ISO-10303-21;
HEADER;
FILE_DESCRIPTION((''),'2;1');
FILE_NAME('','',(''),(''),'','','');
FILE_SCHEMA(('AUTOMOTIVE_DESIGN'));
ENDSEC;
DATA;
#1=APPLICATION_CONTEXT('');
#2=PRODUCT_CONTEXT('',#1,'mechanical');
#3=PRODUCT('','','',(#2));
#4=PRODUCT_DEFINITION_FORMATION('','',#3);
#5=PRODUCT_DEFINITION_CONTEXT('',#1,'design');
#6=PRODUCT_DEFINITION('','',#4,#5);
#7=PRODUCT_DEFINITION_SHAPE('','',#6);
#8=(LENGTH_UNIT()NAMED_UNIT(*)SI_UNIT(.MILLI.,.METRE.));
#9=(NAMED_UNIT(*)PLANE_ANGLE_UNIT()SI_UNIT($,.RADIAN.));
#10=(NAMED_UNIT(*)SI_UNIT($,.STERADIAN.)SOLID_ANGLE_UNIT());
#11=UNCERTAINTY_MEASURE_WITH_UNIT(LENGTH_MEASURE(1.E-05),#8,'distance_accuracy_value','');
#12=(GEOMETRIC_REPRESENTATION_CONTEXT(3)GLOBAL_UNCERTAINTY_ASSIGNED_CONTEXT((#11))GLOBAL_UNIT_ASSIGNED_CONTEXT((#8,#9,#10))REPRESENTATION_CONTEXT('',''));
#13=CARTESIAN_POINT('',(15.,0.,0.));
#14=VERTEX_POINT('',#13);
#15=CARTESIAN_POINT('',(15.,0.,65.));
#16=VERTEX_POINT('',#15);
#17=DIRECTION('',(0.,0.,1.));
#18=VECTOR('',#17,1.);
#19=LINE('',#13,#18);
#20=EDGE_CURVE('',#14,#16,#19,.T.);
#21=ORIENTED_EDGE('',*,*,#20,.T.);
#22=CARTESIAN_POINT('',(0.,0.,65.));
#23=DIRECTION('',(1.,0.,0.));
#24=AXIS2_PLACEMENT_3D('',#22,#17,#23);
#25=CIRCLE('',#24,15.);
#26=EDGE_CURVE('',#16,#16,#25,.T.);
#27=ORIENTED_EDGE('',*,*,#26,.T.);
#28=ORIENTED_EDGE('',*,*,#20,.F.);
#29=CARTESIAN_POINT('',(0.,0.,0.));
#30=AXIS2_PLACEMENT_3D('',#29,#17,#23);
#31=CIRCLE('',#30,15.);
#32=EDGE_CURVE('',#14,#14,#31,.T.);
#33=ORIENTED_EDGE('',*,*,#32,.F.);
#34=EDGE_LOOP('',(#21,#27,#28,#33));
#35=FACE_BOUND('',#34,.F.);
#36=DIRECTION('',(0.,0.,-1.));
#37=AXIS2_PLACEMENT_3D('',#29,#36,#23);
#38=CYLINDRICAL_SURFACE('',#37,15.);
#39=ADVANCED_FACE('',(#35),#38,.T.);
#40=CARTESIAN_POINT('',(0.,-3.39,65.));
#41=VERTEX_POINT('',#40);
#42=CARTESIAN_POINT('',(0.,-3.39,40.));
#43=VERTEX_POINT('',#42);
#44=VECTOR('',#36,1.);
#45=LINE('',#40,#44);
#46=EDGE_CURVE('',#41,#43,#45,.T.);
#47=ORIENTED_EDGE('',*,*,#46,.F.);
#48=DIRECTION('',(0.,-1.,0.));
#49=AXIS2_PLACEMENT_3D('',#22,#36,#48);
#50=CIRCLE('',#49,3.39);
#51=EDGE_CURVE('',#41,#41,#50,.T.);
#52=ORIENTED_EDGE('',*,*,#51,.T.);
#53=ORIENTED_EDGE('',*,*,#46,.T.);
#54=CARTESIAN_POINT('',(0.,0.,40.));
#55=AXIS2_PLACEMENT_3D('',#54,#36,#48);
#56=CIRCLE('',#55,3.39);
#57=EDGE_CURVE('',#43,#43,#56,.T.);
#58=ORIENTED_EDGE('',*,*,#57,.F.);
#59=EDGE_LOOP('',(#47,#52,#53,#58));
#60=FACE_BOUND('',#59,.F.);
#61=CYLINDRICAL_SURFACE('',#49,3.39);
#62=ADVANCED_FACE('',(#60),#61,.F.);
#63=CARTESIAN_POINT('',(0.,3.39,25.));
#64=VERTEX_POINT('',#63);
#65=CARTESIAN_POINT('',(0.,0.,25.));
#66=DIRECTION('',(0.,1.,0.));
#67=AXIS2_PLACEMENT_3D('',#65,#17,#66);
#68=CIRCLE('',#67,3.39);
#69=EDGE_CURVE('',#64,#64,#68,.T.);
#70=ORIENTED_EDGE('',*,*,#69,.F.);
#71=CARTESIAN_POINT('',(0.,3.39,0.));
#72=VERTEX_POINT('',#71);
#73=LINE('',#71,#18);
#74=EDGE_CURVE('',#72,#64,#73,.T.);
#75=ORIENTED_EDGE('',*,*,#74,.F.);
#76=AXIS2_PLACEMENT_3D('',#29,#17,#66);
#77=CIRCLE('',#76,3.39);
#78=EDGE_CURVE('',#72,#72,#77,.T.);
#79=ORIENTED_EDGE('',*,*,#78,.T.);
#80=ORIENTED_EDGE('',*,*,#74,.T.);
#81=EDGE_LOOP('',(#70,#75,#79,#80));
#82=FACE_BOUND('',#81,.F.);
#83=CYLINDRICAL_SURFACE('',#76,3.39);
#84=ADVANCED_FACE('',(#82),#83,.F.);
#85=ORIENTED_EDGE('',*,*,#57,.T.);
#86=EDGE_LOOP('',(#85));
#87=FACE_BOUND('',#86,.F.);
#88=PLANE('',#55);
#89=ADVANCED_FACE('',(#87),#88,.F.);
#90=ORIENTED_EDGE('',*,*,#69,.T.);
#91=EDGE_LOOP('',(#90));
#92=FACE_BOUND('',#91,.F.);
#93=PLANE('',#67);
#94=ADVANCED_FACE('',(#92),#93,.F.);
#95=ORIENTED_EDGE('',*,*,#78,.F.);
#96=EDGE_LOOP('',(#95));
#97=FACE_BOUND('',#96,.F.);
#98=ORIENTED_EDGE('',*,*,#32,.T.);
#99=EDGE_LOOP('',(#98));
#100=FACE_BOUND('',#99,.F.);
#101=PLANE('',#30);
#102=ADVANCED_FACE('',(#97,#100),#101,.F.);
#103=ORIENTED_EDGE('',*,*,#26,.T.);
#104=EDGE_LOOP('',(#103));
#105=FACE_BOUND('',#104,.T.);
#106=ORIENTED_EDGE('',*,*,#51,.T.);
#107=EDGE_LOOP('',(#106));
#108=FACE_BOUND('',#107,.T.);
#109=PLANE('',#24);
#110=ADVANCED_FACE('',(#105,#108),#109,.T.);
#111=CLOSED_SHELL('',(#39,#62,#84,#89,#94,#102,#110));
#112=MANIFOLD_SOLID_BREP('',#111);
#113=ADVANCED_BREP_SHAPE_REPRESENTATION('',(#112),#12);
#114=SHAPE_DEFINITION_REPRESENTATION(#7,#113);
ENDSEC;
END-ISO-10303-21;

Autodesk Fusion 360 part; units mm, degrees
sketch "Sketch1" plane through (0, 0, 0) normal (0, 0, 1) x (1, 0, 0)
  circle A0 centre (0, 0) radius 15
  dimension "d1" = 30
extrude "Extrude1" add sketch "Sketch1" along normal blind 65
hole "Hole1" at (0, 0, 65) direction (0, 0, -1) diameter 6.78 depth 25 tip angle 180
hole "Hole2" at (0, 0, 0) direction (0, 0, 1) diameter 6.78 depth 25 tip angle 180
